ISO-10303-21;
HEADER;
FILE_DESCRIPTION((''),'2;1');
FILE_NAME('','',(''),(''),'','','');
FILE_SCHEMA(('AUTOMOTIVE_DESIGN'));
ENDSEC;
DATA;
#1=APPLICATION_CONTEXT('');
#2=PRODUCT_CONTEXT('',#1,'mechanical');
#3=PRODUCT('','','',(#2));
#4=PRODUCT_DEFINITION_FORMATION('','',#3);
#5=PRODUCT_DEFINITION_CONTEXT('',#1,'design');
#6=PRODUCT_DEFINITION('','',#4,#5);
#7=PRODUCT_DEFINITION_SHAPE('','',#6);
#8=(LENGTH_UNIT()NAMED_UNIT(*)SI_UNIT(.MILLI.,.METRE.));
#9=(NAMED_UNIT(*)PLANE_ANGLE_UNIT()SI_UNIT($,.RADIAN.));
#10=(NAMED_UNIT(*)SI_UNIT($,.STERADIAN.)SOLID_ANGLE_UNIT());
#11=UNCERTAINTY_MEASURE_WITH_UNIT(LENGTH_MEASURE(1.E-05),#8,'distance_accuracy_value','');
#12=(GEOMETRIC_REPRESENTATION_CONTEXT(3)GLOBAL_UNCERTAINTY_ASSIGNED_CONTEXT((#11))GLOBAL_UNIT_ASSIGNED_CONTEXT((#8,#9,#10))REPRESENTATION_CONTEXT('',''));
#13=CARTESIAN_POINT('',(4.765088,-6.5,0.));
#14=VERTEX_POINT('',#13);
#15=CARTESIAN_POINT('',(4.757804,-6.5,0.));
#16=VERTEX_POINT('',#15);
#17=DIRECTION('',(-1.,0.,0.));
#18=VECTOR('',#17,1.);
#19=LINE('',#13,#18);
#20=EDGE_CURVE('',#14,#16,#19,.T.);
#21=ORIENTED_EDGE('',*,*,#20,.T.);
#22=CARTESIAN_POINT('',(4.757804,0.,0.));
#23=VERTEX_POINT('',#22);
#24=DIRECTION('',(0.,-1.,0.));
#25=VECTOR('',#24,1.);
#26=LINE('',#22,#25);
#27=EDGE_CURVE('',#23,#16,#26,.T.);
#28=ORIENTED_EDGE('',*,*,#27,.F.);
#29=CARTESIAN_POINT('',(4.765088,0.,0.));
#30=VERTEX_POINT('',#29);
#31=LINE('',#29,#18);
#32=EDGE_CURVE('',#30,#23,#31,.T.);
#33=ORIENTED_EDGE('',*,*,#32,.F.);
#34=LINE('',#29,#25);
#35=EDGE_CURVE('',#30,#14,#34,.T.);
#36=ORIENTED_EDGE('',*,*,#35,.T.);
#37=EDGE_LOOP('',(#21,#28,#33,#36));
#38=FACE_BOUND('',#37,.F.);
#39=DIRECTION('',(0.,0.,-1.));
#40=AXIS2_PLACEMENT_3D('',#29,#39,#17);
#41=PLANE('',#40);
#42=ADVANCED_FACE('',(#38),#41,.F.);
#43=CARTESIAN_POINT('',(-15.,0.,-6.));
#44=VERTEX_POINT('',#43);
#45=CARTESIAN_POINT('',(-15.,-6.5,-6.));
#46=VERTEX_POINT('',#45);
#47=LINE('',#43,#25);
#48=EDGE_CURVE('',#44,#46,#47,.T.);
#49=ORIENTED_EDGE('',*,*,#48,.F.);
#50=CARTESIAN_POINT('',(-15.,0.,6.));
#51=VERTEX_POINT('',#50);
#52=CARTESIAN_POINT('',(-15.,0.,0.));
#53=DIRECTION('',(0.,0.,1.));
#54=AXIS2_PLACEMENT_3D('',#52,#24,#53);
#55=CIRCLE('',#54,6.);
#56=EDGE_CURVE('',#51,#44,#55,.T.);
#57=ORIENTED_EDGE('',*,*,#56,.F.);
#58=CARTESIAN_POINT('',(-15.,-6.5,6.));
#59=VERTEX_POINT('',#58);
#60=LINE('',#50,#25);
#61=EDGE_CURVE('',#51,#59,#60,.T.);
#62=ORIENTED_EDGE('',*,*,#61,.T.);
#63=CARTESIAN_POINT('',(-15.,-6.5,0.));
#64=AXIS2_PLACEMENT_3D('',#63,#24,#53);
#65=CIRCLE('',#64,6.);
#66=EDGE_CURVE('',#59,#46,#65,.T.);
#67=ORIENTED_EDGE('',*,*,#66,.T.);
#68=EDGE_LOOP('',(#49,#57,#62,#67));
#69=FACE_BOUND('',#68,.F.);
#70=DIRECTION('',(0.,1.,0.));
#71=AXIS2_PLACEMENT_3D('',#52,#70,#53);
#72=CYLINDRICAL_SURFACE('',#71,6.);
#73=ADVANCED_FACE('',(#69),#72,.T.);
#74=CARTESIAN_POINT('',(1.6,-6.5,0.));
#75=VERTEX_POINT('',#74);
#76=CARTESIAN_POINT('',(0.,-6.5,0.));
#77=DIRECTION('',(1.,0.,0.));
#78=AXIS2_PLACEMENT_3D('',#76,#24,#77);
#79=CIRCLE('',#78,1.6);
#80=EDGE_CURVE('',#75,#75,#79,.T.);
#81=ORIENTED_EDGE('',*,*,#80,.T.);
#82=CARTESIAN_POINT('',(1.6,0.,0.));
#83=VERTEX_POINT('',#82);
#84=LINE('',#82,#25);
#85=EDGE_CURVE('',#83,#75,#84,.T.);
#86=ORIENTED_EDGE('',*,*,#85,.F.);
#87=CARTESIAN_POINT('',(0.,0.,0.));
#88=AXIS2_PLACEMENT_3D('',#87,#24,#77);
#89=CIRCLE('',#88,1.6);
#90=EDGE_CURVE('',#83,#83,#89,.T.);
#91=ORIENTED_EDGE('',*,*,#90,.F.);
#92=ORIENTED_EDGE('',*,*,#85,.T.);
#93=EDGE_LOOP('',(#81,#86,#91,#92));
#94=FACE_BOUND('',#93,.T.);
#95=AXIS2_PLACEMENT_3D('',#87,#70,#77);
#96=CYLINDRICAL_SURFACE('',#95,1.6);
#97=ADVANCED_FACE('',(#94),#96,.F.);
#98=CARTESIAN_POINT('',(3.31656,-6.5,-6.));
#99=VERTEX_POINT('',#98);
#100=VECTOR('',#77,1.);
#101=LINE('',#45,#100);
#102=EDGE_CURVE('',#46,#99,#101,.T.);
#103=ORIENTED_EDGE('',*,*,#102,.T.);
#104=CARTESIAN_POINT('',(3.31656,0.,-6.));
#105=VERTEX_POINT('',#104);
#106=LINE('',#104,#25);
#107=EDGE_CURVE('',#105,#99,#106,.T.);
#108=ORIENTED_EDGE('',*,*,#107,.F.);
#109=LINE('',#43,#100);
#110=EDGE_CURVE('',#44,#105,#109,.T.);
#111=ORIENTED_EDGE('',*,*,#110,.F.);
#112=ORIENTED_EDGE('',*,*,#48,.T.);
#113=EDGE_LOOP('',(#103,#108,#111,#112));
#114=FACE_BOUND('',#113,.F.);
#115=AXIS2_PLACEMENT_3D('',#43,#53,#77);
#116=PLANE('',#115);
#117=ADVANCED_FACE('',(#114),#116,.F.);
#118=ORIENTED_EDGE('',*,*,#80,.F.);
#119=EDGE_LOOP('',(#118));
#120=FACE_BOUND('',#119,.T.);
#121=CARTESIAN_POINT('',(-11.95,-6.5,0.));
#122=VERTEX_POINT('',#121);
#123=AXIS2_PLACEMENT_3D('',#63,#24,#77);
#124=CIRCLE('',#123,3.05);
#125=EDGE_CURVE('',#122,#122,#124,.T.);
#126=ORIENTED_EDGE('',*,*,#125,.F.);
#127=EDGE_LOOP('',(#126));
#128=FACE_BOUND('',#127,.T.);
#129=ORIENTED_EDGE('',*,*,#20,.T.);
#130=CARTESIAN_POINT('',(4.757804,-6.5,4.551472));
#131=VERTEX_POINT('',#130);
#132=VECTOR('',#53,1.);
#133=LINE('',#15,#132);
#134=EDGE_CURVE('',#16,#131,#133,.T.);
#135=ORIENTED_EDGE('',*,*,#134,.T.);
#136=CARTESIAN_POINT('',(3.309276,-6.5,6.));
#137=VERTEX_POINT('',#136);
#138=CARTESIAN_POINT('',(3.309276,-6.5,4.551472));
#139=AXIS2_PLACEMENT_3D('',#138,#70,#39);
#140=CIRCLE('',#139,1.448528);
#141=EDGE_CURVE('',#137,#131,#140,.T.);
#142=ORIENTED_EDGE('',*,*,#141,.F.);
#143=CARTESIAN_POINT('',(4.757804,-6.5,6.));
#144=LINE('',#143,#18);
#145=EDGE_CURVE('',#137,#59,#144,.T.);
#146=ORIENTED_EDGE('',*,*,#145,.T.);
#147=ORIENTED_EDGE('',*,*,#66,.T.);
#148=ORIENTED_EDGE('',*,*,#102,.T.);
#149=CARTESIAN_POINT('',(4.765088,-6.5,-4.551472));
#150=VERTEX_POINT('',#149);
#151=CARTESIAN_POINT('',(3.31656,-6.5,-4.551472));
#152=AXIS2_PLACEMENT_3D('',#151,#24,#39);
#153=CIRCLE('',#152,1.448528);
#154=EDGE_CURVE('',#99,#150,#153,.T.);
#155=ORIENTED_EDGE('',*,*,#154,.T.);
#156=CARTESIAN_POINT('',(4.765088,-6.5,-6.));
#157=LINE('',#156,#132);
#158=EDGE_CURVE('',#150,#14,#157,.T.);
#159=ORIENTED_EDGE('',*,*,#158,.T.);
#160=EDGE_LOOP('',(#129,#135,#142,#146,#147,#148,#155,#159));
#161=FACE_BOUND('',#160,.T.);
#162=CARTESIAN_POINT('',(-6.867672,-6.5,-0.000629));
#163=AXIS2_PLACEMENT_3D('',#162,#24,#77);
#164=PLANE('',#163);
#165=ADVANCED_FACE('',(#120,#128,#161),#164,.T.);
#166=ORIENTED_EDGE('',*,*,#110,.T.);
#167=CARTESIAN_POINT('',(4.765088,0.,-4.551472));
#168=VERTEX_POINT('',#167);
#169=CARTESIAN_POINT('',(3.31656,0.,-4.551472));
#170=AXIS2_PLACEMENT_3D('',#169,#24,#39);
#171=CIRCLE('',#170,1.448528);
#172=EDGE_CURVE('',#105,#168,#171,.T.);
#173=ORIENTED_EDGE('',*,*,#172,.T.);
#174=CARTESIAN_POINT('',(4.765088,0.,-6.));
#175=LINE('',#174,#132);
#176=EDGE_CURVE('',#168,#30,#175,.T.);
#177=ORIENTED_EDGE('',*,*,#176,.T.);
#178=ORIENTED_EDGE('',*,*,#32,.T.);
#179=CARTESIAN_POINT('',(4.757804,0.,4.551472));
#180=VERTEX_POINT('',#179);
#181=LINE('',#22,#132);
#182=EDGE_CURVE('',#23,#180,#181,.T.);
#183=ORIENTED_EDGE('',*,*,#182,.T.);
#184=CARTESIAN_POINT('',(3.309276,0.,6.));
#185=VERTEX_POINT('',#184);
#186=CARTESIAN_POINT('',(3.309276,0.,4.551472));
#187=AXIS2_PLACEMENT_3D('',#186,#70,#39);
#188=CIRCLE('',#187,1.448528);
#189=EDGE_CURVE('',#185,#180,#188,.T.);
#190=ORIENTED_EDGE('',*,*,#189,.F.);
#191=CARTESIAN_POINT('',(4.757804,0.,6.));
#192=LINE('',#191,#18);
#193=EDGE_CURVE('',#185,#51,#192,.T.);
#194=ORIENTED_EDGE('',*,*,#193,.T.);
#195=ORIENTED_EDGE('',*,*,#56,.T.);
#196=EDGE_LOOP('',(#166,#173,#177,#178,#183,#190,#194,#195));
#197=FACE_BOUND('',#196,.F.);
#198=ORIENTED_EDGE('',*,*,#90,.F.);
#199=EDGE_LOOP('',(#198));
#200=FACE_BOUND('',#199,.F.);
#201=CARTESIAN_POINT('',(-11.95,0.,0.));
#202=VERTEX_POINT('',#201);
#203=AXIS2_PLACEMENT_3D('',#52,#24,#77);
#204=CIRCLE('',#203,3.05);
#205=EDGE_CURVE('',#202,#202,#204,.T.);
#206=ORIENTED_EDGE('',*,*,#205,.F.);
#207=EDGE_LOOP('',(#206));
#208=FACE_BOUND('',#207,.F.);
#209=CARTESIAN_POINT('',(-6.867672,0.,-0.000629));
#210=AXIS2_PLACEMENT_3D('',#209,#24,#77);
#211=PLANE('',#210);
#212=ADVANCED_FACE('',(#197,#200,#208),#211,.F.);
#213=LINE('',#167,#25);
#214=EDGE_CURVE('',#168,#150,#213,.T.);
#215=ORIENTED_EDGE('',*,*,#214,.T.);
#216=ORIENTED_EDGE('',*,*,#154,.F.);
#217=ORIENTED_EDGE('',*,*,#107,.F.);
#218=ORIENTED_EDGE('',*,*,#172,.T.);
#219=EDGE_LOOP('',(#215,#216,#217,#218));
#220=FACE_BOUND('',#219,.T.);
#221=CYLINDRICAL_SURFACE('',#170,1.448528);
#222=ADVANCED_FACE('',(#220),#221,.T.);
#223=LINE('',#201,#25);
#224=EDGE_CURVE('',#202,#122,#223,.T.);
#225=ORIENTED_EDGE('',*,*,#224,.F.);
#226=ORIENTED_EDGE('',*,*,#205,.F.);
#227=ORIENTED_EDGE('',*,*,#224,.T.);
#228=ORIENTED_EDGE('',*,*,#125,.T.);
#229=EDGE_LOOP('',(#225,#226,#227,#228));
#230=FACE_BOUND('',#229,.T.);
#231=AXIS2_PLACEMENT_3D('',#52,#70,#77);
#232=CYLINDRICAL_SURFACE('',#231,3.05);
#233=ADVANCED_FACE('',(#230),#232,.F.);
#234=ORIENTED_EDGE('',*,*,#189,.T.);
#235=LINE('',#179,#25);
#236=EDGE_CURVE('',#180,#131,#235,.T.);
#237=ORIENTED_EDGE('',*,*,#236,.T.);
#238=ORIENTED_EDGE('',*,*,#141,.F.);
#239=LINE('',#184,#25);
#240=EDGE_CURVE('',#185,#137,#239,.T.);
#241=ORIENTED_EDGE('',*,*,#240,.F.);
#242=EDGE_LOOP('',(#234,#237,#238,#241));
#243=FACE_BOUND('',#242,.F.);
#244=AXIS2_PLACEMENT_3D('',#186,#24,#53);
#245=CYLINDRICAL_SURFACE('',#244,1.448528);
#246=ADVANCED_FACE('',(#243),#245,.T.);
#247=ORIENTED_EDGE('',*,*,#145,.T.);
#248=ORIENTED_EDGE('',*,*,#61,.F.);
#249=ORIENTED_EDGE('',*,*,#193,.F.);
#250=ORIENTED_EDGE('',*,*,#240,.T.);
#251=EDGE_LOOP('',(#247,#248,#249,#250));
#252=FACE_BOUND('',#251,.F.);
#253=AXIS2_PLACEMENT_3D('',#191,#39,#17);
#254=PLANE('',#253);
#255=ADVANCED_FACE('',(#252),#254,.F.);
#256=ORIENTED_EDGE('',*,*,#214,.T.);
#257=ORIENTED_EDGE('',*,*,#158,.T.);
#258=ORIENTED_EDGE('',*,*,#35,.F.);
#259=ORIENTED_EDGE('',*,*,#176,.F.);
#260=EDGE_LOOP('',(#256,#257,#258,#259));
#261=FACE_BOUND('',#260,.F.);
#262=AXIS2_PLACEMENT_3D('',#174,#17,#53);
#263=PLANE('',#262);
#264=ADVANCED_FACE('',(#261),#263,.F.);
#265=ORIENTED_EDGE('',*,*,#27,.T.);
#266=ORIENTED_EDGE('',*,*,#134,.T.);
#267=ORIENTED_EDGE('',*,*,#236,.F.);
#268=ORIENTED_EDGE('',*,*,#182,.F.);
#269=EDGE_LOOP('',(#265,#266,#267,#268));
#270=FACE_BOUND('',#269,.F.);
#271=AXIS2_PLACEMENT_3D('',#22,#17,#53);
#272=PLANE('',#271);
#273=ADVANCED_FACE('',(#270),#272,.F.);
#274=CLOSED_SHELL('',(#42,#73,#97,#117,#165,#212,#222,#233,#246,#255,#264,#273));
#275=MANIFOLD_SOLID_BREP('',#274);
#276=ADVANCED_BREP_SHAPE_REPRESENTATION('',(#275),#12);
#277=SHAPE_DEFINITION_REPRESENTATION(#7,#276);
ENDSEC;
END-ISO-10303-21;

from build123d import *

# Parameters (mm, degrees)
F0_R     = 3.05
F0_R_2   = 1.6
F1_DEPTH = 6.5
F2_R     = 1.448528


with BuildPart() as f1:
    # F0 (on Front) → F1 (new body)
    with BuildSketch(Plane.XZ):
        with BuildLine():
            Line((4.757804, 6), (-15, 6))
            ThreePointArc((-15, 6), (-21, 0), (-15, -6))
            Line((-15, -6), (4.765088, -6))
            Line((4.765088, -6), (4.765088, 0))
            Line((4.765088, 0), (4.757804, 0))
            Line((4.757804, 0), (4.757804, 6))
        make_face()
        with Locations((-15, 0)):
            Circle(F0_R, mode=Mode.SUBTRACT)
        Circle(F0_R_2, mode=Mode.SUBTRACT)
    extrude(amount=F1_DEPTH)

    # F2
    f2_edges = [f1.edges().sort_by_distance(p)[0] for p in [
        (4.757804, -3.25, 6),
        (4.765088, -3.25, -6),
    ]]
    fillet(f2_edges, radius=F2_R)


solid = f1.part
